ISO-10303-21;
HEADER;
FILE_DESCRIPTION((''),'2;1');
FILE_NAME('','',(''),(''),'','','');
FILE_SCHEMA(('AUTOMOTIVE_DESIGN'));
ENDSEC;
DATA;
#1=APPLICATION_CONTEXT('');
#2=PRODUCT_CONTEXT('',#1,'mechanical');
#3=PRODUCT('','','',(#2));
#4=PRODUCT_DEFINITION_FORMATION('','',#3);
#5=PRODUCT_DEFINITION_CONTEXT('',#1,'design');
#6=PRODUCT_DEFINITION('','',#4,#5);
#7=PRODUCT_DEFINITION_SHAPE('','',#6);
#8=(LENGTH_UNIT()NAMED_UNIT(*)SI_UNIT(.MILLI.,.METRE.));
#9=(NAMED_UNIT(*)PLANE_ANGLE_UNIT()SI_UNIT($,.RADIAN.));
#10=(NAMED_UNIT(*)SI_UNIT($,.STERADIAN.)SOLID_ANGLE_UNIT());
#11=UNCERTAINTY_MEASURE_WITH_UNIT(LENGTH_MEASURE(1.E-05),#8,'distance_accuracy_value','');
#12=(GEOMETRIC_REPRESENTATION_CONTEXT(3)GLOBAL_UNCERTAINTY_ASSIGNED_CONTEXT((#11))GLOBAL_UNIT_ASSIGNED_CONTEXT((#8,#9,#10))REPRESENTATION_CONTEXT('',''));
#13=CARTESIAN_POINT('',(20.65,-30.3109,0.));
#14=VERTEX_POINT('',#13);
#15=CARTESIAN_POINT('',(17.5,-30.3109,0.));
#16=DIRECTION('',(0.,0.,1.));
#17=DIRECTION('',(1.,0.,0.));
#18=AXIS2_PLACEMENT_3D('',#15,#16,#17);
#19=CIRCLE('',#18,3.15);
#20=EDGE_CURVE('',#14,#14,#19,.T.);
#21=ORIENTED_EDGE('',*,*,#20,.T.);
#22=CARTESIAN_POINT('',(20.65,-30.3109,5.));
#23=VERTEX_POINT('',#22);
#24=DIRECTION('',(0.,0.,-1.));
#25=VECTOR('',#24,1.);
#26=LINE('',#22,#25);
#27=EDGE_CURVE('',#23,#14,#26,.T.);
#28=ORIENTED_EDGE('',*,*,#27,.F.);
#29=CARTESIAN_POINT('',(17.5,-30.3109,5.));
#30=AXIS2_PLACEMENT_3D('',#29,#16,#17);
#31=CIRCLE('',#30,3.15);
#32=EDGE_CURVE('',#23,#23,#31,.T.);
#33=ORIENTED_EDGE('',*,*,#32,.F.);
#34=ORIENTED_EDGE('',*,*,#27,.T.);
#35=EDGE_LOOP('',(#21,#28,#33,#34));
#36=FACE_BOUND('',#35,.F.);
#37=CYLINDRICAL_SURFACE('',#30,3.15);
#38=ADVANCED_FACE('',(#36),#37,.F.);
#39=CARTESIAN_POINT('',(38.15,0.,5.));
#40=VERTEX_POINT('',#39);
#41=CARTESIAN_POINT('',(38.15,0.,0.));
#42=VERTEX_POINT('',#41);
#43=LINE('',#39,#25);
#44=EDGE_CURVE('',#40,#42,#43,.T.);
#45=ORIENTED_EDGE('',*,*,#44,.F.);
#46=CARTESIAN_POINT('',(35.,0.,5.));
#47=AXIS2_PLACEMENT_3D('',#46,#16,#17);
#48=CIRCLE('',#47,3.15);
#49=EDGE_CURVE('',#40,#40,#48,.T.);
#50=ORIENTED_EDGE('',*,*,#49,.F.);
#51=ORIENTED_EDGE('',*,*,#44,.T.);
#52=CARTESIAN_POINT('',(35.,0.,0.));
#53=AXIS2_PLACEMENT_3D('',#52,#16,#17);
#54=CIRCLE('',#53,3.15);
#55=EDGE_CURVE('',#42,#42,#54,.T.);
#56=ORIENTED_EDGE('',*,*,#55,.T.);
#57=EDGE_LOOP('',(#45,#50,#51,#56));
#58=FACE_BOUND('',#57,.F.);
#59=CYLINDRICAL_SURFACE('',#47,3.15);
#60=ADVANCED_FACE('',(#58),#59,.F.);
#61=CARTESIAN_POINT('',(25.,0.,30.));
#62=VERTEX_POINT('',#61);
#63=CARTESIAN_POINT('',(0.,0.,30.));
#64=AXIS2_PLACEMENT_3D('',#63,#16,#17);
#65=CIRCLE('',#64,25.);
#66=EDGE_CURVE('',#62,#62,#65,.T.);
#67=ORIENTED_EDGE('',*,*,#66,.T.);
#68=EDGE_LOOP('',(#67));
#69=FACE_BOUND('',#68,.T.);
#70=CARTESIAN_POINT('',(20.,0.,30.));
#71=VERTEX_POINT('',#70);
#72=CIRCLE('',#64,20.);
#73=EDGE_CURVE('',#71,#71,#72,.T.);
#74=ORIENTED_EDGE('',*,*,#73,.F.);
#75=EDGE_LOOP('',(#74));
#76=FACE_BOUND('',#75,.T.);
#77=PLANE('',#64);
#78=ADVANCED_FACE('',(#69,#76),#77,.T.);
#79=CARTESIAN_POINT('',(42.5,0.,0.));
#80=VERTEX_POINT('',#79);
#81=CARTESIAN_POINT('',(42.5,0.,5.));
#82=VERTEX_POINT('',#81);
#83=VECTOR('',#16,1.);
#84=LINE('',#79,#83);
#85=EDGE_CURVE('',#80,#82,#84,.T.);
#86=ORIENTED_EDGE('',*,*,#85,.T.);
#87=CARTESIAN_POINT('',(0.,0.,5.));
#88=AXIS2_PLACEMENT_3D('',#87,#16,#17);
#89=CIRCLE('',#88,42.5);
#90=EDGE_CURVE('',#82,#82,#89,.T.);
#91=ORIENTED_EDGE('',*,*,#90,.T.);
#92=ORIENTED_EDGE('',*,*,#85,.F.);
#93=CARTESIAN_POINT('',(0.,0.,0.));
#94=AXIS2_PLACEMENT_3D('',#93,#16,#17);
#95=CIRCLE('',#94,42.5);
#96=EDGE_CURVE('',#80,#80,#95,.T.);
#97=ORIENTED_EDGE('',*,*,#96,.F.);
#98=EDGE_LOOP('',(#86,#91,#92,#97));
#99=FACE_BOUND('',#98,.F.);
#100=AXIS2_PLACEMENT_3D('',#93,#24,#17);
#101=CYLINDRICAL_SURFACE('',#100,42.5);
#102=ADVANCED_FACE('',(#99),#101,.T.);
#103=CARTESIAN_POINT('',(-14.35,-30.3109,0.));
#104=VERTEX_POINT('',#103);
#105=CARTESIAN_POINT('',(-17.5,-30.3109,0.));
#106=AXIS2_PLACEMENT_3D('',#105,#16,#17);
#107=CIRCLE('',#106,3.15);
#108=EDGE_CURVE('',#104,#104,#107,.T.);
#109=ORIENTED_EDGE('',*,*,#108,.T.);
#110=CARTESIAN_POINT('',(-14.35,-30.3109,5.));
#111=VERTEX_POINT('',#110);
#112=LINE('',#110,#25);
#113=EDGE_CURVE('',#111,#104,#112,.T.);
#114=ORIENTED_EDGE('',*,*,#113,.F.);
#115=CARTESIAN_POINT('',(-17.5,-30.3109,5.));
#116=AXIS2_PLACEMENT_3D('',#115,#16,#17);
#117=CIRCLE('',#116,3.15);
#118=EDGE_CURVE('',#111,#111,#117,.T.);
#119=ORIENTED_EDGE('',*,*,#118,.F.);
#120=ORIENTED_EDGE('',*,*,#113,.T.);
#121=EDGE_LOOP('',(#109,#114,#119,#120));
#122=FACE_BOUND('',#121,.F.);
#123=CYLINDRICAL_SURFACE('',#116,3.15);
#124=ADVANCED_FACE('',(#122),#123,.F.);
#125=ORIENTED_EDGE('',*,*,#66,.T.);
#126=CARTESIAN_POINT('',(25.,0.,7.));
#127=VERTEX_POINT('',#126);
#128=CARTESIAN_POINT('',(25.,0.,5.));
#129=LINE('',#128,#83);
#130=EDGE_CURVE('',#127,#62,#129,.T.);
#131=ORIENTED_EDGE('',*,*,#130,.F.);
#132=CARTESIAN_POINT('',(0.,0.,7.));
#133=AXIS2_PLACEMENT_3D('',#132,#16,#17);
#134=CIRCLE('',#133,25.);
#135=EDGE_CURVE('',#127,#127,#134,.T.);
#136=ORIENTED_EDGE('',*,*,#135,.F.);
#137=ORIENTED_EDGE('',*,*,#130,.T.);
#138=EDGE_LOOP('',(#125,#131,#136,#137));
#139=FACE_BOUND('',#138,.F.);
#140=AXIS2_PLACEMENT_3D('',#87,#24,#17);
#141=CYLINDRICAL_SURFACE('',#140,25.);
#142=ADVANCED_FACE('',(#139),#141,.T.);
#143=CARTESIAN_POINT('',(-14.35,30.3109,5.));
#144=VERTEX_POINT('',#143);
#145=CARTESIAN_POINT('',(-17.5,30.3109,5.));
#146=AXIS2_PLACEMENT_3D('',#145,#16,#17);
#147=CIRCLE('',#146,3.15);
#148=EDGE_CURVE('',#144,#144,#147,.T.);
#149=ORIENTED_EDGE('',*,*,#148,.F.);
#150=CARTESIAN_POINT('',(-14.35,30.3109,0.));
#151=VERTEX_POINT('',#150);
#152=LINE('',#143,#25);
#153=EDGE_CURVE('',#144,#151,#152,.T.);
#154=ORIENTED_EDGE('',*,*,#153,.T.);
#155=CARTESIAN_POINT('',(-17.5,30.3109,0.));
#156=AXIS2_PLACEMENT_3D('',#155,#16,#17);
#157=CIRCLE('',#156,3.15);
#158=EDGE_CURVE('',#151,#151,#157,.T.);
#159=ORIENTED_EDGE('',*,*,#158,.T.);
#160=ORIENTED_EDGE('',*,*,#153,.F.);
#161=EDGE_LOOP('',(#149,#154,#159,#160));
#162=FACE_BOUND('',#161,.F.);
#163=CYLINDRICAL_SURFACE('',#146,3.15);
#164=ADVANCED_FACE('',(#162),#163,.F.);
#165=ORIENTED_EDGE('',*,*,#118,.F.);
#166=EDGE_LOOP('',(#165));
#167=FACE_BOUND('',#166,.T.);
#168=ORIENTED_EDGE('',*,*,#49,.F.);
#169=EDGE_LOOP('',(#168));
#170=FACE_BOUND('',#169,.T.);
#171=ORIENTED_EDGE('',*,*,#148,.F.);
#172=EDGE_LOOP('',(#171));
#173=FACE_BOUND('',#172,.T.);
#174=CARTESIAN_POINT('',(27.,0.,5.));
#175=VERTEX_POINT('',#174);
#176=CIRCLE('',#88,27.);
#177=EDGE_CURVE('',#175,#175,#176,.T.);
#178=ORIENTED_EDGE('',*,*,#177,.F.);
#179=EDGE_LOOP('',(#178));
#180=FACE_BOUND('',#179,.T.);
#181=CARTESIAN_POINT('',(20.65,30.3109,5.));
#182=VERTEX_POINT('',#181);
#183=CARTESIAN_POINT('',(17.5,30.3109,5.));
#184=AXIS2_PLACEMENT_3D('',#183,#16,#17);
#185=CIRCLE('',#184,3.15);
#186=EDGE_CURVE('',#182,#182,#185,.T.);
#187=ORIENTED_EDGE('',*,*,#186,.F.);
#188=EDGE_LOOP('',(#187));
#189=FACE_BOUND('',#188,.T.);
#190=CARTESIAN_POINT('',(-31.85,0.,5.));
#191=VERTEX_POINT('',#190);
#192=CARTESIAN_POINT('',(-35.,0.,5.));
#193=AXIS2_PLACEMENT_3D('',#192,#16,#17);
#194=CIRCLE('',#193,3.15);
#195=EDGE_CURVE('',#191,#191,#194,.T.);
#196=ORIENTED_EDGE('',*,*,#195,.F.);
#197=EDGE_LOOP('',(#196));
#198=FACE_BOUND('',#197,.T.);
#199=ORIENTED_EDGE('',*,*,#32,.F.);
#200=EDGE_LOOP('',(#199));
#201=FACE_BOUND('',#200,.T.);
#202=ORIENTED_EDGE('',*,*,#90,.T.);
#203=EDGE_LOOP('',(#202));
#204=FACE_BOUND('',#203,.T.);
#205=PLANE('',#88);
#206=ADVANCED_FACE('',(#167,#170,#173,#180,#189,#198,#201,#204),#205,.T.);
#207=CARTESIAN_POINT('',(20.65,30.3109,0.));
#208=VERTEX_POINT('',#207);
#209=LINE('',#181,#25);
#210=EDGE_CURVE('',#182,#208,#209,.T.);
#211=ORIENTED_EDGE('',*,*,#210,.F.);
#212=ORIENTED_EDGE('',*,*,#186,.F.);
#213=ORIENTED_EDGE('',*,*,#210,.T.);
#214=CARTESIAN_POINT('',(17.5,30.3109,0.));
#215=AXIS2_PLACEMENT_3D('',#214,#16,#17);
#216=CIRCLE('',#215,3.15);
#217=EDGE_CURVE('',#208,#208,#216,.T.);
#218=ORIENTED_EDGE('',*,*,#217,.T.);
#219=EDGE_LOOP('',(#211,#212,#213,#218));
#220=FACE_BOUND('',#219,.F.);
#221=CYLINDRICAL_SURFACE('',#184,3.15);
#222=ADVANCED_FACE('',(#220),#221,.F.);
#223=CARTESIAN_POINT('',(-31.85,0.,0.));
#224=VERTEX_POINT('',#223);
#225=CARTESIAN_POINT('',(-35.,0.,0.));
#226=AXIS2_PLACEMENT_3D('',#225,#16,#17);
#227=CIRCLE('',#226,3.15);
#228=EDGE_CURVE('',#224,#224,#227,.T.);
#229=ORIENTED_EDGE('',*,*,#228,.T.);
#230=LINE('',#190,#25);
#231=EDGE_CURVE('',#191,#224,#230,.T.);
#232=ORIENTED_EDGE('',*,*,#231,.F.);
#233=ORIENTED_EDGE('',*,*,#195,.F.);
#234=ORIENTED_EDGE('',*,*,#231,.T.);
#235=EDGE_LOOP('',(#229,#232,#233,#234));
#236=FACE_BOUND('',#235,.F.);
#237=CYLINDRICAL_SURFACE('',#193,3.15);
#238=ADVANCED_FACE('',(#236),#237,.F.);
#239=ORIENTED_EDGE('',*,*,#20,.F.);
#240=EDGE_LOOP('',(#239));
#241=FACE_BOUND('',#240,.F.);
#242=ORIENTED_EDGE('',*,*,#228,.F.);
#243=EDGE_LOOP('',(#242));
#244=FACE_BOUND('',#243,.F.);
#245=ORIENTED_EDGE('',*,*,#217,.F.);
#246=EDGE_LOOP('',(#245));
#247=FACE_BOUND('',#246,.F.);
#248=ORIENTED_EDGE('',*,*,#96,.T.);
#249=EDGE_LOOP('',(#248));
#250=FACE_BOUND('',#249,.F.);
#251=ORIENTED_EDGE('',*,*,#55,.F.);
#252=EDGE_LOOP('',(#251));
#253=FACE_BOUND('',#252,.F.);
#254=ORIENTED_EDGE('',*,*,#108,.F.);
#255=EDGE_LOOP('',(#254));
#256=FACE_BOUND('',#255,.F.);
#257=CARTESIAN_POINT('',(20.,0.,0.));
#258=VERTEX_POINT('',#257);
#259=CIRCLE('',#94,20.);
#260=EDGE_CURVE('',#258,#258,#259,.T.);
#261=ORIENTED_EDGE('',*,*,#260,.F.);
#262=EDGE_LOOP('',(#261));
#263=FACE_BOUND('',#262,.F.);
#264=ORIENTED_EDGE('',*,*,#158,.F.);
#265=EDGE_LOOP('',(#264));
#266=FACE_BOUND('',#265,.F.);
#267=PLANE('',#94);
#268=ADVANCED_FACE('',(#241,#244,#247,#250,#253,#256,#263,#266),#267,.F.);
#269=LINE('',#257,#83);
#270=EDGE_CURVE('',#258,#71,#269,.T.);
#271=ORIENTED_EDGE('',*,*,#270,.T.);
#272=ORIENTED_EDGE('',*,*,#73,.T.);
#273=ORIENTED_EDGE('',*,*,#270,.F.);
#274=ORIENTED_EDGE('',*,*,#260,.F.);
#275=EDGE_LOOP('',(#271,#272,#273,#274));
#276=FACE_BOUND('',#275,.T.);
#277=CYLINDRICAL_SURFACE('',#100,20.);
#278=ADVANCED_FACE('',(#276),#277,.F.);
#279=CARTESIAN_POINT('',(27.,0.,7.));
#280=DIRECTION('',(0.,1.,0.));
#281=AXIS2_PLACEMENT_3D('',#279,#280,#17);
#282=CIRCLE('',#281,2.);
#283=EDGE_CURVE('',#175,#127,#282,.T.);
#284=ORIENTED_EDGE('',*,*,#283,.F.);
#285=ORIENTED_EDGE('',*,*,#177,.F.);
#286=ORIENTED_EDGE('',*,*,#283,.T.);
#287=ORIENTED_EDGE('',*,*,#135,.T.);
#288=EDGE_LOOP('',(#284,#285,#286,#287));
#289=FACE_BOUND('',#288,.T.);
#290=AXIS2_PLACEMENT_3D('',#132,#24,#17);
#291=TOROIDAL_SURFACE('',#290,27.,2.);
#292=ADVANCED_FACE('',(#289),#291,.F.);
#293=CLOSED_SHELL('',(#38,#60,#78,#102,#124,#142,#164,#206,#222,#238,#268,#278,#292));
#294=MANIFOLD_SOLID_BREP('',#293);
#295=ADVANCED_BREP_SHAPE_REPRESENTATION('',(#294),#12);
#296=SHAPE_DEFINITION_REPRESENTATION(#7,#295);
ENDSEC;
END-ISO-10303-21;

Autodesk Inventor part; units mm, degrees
ref_plane "YZ Plane" through (0, 0, 0) normal (1, 0, 0) x (0, 1, 0)
ref_plane "XZ Plane" through (0, 0, 0) normal (0, 1, 0) x (-1, 0, 0)
ref_plane "XY Plane" through (0, 0, 0) normal (0, 0, 1) x (1, 0, 0)
sketch "Sketch7" plane through (0, 0, 0) normal (0, 0, 1) x (1, 0, 0)
  circle A0 centre (0, 0) radius 42.5
  circle A1 centre (0, 0) radius 20
  dimension "d59" = 85
  dimension "d60" = 40
extrude "Extrusion6" add sketch "Sketch7" along normal blind 5
sketch "Sketch8" plane through (0, 0, 5) normal (0, 0, 1) x (1, 0, 0)
  circle A0 centre (0, 0) radius 25
  circle A1 centre (0, 0) radius 20 projected
  dimension "d55" = 50
extrude "Extrusion7" add sketch "Sketch8" along normal blind 25
fillet "Fillet4" radius 2 1 edges at (-25, 0, 5)
sketch "Sketch9" plane through (0, 0, 5) normal (0, 0, 1) x (1, 0, 0)
  circle A0 centre (0, 0) radius 35 construction
  circle A1 centre (-35, 0) radius 3.15
  circle A2 centre (-17.5, -30.3109) radius 3.15
  circle A3 centre (17.5, -30.3109) radius 3.15
  circle A4 centre (35, 0) radius 3.15
  circle A5 centre (17.5, 30.3109) radius 3.15
  circle A6 centre (-17.5, 30.3109) radius 3.15
  dimension "d61" = 70
  dimension "d62" = 6.3
  dimension "d65" = 360
extrude "Extrusion8" cut sketch "Sketch9" against normal through all
properties part number "HOSE-NOZZLE-MOUNTING"
